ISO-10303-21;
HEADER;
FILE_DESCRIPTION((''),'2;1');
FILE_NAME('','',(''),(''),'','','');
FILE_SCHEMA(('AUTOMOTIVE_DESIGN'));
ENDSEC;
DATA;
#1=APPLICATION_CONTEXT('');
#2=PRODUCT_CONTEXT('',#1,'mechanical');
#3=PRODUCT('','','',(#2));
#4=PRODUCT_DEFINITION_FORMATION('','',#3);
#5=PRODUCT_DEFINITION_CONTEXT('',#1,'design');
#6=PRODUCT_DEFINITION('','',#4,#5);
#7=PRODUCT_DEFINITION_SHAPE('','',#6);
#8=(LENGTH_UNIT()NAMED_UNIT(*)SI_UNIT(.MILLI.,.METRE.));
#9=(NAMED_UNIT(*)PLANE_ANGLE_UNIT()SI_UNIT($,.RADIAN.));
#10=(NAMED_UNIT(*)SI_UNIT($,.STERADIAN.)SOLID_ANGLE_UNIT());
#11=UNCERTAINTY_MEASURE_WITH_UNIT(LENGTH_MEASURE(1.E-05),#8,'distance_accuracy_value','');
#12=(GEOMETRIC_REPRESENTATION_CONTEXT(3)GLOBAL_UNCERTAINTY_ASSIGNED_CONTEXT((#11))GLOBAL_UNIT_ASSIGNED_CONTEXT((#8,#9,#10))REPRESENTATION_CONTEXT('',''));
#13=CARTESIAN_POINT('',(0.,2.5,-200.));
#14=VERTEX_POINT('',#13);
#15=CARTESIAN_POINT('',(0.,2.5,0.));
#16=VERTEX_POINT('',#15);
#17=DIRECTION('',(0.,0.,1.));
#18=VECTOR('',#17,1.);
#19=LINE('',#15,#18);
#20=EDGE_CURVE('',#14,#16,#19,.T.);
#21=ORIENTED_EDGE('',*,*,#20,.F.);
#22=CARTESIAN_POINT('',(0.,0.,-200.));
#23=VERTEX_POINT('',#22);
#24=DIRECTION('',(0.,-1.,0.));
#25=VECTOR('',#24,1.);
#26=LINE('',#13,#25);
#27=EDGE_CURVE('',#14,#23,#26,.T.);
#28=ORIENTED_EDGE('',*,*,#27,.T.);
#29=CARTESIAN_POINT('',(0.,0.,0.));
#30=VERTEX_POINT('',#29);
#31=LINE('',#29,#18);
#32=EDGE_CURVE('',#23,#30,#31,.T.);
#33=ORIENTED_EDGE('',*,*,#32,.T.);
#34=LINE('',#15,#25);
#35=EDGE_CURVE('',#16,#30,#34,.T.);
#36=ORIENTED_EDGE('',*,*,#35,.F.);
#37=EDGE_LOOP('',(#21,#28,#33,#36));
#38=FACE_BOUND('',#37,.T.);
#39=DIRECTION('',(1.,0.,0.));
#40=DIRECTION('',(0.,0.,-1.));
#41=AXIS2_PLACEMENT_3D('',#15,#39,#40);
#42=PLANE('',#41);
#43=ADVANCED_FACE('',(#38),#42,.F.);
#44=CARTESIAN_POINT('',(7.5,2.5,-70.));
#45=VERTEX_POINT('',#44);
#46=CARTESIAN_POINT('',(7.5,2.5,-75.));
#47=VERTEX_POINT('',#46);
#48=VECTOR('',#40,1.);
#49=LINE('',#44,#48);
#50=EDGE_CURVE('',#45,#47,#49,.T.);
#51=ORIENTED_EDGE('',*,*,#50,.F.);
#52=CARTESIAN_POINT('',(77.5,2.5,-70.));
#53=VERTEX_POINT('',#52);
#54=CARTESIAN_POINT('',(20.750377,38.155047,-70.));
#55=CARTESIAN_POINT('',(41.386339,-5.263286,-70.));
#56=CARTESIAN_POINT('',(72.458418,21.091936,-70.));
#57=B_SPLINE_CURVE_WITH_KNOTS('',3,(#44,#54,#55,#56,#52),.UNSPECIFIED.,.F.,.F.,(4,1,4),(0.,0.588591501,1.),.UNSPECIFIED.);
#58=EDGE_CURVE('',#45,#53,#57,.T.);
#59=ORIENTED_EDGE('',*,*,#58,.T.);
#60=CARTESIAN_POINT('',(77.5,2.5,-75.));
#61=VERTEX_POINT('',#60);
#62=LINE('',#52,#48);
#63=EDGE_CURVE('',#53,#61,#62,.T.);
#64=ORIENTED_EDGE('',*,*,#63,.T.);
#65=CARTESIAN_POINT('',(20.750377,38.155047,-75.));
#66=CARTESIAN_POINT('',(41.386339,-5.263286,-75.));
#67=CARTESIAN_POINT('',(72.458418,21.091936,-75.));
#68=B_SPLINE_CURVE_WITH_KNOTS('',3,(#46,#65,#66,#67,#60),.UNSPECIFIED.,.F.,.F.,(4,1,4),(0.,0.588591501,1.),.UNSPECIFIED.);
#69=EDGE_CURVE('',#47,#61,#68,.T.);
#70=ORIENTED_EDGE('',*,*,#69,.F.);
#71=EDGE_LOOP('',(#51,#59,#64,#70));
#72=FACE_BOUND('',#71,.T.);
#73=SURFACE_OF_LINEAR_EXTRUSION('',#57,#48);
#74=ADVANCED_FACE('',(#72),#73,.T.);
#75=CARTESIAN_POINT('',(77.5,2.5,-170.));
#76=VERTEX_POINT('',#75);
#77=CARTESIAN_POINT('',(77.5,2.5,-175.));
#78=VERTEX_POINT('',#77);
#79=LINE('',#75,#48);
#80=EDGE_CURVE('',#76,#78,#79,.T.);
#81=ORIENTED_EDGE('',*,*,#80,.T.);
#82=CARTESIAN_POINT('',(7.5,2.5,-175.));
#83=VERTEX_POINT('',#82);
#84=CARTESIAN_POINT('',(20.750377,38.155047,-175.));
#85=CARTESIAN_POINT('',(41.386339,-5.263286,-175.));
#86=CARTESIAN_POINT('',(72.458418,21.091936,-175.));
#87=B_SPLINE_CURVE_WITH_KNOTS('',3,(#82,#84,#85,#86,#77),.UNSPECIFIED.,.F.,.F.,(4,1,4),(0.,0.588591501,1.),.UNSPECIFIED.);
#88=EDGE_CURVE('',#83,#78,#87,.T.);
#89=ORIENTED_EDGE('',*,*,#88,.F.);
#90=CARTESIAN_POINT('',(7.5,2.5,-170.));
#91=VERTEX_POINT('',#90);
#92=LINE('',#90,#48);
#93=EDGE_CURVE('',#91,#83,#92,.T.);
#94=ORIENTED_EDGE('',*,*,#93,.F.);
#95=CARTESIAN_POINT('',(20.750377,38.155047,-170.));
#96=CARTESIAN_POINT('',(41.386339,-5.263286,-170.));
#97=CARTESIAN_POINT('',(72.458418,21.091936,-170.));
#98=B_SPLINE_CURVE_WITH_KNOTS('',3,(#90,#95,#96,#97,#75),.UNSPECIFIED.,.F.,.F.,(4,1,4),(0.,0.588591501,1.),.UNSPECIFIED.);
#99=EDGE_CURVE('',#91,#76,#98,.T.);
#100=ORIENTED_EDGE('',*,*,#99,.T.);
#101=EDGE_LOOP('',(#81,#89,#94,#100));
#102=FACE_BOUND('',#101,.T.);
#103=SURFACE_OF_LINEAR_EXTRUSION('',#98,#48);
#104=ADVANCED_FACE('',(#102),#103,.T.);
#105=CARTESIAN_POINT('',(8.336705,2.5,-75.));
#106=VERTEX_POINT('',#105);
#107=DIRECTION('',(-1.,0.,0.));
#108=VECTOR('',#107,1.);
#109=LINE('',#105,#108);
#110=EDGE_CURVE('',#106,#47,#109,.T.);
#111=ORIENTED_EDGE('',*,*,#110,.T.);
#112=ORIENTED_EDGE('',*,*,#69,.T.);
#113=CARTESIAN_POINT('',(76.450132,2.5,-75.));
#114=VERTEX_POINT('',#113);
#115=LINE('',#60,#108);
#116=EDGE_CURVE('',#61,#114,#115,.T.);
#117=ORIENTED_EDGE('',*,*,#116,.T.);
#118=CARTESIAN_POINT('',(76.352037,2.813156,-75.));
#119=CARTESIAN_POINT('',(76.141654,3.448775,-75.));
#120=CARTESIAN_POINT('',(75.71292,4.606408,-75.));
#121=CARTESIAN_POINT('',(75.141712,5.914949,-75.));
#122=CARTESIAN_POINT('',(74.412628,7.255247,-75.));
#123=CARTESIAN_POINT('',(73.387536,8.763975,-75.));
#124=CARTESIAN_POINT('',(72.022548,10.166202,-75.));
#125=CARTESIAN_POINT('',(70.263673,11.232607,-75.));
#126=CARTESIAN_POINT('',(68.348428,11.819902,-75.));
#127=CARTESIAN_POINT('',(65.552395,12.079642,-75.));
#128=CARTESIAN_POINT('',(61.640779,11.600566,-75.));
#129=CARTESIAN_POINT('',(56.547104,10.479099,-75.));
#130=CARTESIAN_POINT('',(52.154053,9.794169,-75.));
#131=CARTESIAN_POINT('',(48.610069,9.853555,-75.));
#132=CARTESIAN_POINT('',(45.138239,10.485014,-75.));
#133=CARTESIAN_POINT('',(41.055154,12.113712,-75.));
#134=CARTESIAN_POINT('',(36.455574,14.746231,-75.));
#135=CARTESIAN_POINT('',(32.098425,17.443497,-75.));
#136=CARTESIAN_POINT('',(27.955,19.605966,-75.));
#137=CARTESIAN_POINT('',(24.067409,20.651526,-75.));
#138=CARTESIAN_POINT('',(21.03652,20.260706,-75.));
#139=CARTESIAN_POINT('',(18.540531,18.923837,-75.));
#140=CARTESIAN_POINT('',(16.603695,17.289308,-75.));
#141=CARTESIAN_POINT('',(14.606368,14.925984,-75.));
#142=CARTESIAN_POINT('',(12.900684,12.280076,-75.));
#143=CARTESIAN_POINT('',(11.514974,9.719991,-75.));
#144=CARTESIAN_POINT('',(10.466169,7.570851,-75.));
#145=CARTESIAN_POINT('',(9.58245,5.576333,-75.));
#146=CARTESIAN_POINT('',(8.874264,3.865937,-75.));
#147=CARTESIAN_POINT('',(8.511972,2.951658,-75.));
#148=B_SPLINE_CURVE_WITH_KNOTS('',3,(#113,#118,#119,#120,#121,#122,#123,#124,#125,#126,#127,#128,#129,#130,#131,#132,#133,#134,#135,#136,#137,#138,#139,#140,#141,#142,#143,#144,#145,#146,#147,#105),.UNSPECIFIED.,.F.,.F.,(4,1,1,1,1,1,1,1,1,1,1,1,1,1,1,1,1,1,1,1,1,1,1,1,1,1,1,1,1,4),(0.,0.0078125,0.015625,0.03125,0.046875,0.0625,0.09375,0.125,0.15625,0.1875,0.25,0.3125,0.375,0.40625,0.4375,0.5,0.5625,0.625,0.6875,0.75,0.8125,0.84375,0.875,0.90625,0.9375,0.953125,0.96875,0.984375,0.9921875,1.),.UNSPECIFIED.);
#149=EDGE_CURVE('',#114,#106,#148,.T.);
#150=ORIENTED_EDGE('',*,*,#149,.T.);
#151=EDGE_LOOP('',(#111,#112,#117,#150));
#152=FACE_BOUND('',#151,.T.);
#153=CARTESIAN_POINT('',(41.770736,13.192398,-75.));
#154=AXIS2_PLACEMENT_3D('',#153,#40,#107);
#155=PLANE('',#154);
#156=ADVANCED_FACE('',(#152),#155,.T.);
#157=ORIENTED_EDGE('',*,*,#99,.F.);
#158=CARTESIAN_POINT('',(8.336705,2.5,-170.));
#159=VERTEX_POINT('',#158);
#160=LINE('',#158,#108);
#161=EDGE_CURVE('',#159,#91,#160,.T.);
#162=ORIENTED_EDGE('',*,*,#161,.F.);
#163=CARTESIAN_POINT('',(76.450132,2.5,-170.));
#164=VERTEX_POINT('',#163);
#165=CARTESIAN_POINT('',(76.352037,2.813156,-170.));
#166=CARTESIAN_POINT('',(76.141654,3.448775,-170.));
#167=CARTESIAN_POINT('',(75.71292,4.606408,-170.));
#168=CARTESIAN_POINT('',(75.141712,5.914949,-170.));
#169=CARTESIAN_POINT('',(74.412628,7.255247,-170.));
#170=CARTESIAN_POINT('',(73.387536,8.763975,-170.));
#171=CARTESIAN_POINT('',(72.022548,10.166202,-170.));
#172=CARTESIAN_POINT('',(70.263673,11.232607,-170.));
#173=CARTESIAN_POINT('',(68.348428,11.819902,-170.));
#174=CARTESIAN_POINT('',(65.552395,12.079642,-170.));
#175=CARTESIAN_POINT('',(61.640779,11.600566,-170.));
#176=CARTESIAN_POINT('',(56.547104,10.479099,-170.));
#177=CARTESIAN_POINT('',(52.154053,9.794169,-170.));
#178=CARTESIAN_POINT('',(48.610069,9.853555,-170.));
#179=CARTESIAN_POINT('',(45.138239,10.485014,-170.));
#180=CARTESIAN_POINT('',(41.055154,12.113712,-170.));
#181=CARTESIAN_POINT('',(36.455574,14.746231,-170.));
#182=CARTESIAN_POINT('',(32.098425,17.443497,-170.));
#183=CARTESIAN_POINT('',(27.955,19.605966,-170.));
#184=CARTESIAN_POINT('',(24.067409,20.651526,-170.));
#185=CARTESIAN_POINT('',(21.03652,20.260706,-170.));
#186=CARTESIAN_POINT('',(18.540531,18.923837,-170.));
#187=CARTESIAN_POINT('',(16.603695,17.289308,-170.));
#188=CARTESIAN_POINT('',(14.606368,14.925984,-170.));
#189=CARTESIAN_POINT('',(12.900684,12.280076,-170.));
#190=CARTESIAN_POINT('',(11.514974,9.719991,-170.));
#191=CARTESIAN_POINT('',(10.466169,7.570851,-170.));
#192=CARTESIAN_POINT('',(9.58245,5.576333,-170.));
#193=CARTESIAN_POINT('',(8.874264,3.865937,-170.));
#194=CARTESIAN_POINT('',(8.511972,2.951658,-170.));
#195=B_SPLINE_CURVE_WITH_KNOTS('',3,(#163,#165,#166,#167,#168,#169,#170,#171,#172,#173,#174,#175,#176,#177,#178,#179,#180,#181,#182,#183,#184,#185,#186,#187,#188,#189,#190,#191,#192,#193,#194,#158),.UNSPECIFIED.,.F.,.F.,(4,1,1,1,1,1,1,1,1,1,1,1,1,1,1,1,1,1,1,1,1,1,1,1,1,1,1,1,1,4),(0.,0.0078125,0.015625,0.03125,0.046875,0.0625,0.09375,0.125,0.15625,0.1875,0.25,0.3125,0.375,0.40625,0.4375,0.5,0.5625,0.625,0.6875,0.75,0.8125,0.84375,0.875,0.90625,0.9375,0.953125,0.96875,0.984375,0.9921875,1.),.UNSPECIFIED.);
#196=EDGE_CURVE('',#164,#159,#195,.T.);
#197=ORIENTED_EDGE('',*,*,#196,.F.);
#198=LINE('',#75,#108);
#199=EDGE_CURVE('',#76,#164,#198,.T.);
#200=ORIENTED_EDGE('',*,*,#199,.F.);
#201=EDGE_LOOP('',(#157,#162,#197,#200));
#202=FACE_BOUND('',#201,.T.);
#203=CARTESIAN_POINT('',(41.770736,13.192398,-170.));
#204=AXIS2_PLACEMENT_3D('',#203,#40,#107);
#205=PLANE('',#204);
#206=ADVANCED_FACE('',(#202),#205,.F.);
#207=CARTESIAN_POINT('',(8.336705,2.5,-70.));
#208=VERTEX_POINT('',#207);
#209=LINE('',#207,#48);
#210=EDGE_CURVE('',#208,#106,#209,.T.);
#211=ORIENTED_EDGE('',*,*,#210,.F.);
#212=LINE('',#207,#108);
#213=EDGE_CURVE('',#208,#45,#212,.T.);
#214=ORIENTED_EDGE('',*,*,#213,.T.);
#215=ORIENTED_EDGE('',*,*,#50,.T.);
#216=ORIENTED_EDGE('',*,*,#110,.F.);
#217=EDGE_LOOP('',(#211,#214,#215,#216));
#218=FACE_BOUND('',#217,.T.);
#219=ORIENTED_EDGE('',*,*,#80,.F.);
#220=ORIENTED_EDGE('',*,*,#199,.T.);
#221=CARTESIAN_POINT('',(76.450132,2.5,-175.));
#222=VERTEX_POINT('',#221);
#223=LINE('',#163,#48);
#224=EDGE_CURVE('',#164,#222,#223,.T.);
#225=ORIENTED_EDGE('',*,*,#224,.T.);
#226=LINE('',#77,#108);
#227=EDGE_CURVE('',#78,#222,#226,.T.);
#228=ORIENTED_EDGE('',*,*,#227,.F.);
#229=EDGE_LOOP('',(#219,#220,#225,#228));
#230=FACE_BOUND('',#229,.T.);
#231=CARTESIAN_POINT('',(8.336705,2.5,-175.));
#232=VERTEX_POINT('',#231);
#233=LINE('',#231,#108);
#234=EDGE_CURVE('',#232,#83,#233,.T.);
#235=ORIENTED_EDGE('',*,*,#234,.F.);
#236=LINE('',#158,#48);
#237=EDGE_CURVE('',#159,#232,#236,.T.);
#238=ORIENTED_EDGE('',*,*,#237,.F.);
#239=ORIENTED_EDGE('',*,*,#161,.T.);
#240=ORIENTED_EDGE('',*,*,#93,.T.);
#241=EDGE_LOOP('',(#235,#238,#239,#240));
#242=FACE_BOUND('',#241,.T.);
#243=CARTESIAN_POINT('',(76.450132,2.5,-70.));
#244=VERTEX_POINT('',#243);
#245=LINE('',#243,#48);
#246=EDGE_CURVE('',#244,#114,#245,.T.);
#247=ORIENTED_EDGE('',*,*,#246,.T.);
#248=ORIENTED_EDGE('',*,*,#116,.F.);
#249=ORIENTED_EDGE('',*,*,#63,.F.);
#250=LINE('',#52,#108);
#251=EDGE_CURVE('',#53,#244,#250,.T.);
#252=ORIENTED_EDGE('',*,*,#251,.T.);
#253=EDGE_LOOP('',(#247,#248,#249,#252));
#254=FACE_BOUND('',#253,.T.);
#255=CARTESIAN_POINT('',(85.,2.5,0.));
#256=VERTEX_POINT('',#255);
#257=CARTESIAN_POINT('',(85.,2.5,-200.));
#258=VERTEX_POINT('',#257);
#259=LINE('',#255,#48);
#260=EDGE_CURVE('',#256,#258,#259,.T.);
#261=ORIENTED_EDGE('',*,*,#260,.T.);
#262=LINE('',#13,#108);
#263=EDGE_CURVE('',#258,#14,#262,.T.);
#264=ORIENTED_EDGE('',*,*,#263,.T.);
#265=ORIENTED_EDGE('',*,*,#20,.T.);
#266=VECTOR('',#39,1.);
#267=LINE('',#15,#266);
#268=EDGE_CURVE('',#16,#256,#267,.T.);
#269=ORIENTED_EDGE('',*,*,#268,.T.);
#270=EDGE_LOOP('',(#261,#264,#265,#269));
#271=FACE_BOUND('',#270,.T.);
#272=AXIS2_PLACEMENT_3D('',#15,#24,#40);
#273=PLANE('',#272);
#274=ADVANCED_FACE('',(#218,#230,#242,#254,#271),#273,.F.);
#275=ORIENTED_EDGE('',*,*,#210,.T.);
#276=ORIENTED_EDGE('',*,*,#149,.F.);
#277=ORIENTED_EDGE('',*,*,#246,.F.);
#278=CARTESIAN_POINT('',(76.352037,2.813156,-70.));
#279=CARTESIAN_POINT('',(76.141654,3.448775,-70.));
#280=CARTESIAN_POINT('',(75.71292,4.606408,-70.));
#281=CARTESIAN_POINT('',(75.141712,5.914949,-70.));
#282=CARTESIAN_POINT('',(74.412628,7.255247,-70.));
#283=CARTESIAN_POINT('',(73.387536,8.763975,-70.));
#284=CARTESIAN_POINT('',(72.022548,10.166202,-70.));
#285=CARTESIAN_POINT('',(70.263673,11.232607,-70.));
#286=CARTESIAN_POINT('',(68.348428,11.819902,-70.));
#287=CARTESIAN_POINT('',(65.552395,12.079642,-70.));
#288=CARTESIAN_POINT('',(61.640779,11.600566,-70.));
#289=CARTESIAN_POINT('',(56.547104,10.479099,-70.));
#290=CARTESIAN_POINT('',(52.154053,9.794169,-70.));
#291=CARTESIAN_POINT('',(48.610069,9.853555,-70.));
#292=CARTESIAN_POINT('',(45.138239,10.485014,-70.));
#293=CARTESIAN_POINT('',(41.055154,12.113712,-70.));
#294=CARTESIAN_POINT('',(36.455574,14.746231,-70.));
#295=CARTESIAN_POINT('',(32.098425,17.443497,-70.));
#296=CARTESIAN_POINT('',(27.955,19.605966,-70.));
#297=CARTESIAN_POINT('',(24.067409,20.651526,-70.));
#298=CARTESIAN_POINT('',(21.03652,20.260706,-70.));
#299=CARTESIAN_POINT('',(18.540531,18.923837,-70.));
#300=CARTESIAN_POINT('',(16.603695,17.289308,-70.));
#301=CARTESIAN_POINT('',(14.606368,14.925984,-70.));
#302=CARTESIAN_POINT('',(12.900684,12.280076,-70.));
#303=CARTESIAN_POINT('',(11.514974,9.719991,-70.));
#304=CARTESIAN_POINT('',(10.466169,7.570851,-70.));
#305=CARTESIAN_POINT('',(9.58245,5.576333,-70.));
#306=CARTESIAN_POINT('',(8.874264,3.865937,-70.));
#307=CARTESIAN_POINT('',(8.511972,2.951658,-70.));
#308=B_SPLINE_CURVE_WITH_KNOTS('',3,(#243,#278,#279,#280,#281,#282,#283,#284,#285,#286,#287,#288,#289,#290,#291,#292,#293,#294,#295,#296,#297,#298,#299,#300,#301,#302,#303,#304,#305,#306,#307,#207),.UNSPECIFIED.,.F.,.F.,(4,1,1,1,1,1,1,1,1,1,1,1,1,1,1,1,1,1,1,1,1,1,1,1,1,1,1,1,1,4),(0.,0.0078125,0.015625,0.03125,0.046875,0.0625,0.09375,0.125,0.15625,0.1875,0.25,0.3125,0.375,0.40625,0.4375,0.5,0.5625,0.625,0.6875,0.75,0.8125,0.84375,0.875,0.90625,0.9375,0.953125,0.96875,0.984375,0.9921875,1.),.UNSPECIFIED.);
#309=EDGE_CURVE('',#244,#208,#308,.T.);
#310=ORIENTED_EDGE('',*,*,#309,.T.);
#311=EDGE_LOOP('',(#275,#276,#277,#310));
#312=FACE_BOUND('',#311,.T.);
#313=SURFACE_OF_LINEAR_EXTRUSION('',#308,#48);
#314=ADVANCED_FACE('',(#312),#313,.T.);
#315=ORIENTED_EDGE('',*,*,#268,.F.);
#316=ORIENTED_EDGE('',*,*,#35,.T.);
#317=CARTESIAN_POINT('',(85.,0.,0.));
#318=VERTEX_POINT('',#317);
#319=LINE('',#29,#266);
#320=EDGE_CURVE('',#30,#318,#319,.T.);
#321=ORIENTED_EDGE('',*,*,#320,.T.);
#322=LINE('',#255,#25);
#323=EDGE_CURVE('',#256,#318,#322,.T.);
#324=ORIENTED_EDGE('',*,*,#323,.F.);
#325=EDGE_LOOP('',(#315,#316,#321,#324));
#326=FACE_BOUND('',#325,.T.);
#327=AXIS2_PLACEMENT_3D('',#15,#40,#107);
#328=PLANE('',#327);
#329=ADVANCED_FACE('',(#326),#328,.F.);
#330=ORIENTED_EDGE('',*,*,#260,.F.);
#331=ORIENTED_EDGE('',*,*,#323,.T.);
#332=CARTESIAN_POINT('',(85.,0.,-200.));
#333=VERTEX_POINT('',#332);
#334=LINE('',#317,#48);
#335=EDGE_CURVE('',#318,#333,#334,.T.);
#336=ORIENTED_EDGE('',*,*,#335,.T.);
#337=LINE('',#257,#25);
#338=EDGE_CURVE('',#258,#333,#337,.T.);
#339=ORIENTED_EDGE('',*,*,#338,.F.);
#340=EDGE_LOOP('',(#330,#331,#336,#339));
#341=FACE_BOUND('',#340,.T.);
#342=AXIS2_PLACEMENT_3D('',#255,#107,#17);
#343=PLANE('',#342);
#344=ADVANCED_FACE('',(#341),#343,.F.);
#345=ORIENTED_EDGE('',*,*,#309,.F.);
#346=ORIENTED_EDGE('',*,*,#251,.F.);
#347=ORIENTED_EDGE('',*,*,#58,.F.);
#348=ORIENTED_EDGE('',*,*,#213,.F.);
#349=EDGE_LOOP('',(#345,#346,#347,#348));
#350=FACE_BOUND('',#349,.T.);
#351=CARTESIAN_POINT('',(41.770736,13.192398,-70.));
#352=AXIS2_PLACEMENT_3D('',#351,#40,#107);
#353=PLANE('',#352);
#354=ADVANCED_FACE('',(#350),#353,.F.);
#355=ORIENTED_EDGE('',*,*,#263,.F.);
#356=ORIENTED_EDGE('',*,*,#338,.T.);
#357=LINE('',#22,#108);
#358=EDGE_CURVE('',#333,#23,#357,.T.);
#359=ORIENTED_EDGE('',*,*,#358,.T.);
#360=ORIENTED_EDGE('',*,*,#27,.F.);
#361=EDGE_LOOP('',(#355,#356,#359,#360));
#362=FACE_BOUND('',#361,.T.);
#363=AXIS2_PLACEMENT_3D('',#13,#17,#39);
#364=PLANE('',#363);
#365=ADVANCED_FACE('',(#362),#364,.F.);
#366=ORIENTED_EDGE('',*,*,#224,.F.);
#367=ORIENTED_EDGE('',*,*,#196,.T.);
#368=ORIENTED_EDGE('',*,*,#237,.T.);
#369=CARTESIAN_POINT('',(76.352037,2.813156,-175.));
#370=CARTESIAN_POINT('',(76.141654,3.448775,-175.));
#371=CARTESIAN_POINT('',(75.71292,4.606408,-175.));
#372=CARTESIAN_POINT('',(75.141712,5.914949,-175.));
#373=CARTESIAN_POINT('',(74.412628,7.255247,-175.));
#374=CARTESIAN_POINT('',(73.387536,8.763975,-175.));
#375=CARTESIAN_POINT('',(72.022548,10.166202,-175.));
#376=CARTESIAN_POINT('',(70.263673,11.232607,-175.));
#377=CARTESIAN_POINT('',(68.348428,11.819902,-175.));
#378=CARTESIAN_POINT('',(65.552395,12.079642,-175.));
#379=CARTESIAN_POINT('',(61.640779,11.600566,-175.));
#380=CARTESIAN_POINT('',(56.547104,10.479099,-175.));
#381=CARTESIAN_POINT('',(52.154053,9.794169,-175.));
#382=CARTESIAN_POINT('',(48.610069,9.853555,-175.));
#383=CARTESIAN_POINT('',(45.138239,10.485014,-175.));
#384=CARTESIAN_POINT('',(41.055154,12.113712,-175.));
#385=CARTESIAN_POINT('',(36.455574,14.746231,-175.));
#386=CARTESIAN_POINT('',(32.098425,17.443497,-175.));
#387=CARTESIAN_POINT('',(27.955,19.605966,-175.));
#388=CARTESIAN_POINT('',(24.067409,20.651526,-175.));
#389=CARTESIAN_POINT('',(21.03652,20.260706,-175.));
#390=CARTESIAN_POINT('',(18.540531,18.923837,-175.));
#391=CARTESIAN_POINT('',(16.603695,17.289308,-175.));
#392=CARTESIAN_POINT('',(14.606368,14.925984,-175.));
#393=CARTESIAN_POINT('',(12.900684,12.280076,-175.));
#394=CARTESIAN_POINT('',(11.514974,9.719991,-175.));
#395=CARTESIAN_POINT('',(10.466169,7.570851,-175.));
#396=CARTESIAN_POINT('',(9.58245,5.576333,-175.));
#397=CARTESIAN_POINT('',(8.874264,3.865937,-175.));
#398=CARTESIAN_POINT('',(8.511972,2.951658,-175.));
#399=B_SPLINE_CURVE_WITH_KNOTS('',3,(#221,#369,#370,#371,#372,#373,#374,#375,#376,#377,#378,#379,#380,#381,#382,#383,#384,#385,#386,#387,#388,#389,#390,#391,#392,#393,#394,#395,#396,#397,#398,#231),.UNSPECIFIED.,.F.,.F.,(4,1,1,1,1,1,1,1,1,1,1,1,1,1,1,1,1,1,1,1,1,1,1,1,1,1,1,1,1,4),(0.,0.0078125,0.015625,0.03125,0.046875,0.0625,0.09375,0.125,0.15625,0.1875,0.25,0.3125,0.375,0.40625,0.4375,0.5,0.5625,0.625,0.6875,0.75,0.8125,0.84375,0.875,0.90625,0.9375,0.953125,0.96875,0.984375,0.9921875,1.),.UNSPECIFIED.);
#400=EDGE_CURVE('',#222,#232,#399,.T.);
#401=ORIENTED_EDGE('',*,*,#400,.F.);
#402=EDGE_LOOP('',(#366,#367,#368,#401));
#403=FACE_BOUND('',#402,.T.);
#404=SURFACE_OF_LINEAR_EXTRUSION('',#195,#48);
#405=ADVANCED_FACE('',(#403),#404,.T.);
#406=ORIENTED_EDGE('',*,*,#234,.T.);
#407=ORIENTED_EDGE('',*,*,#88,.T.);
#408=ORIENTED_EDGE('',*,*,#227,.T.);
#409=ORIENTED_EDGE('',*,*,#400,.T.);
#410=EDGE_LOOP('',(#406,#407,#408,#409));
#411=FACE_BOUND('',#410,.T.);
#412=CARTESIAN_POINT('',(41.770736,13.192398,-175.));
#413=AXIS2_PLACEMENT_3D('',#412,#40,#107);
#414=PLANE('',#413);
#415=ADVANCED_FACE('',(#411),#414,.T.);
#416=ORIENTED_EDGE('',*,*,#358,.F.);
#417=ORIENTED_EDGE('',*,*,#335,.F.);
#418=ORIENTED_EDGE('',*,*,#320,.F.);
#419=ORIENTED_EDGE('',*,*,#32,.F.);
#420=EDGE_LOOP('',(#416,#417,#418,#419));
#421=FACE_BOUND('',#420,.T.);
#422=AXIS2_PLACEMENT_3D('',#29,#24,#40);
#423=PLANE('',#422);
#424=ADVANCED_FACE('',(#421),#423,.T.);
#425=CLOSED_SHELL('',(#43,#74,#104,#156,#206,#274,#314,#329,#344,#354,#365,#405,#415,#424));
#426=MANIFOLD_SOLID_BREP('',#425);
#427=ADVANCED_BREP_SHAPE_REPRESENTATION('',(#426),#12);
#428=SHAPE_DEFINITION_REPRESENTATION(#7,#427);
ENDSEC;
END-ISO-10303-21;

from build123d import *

# Parameters (mm, degrees)
SKETCH1_W           = 85
SKETCH1_H           = 200
BOSS_EXTRUDE1_DEPTH = 2.5
BOSS_EXTRUDE3_DEPTH = 5
LPATTERN1_COUNT     = 2
LPATTERN1_PITCH     = 100


with BuildPart() as part:
    # Sketch1 → Boss-Extrude1 (new body)
    with BuildSketch(Plane(origin=(0, 0, 0), x_dir=(1, 0, 0), z_dir=(0, 1, 0))):
        with Locations((42.5, 100)):
            Rectangle(SKETCH1_W, SKETCH1_H)
    extrude(amount=BOSS_EXTRUDE1_DEPTH)

    # Sketch3 → Boss-Extrude3 (add)
    with BuildSketch(Plane(origin=(0, 0, -175), x_dir=(-1, 0, 0), z_dir=(0, 0, -1))):
        with BuildLine():
            Line((-77.5, 2.5), (-76.450132059, 2.5))
            add(Edge.make_bspline(
                [(-76.450132059, 2.5), (-76.352037023, 2.813155952), (-76.141653781, 3.448774979), (-75.712920238, 4.60640845), (-75.141711698, 5.914949297), (-74.412627596, 7.255247487), (-73.387535674, 8.763975464), (-72.02254847, 10.166201705), (-70.263673421, 11.232606933), (-68.348427729, 11.819901852), (-65.552395249, 12.079641822), (-61.64077912, 11.600566429), (-56.547104343, 10.479098709), (-52.154053067, 9.794168924), (-48.61006882, 9.853555219), (-45.138239485, 10.48501356), (-41.055154093, 12.11371223), (-36.455574443, 14.746231277), (-32.098424566, 17.443496584), (-27.955000453, 19.605965858), (-24.067408798, 20.651525579), (-21.036519902, 20.26070597), (-18.540531077, 18.923836601), (-16.603695352, 17.289307939), (-14.606368482, 14.925983967), (-12.900683609, 12.280076139), (-11.514973715, 9.719991389), (-10.466169356, 7.570851399), (-9.58244987, 5.576333061), (-8.874263801, 3.865936613), (-8.511972004, 2.951657976), (-8.336705052, 2.5)],
                knots=[0, 0, 0, 0, 0.0078125, 0.015625, 0.03125, 0.046875, 0.0625, 0.09375, 0.125, 0.15625, 0.1875, 0.25, 0.3125, 0.375, 0.40625, 0.4375, 0.5, 0.5625, 0.625, 0.6875, 0.75, 0.8125, 0.84375, 0.875, 0.90625, 0.9375, 0.953125, 0.96875, 0.984375, 0.9921875, 1, 1, 1, 1], degree=3))
            Line((-8.336705052, 2.5), (-7.5, 2.5))
            add(Edge.make_bspline(
                [(-77.5, 2.5), (-72.458418192, 21.091936155), (-41.386339311, -5.263286213), (-20.750377369, 38.155046939), (-7.5, 2.5)],
                knots=[0, 0, 0, 0, 0.411408499, 1, 1, 1, 1], degree=3))
        make_face()
    boss_extrude3 = extrude(amount=-BOSS_EXTRUDE3_DEPTH)

    # LPattern1: Boss-Extrude3 ×2
    with Locations(*[(0, 0, i * LPATTERN1_PITCH) for i in range(1, LPATTERN1_COUNT)]):
        add(boss_extrude3)


solid = part.part
